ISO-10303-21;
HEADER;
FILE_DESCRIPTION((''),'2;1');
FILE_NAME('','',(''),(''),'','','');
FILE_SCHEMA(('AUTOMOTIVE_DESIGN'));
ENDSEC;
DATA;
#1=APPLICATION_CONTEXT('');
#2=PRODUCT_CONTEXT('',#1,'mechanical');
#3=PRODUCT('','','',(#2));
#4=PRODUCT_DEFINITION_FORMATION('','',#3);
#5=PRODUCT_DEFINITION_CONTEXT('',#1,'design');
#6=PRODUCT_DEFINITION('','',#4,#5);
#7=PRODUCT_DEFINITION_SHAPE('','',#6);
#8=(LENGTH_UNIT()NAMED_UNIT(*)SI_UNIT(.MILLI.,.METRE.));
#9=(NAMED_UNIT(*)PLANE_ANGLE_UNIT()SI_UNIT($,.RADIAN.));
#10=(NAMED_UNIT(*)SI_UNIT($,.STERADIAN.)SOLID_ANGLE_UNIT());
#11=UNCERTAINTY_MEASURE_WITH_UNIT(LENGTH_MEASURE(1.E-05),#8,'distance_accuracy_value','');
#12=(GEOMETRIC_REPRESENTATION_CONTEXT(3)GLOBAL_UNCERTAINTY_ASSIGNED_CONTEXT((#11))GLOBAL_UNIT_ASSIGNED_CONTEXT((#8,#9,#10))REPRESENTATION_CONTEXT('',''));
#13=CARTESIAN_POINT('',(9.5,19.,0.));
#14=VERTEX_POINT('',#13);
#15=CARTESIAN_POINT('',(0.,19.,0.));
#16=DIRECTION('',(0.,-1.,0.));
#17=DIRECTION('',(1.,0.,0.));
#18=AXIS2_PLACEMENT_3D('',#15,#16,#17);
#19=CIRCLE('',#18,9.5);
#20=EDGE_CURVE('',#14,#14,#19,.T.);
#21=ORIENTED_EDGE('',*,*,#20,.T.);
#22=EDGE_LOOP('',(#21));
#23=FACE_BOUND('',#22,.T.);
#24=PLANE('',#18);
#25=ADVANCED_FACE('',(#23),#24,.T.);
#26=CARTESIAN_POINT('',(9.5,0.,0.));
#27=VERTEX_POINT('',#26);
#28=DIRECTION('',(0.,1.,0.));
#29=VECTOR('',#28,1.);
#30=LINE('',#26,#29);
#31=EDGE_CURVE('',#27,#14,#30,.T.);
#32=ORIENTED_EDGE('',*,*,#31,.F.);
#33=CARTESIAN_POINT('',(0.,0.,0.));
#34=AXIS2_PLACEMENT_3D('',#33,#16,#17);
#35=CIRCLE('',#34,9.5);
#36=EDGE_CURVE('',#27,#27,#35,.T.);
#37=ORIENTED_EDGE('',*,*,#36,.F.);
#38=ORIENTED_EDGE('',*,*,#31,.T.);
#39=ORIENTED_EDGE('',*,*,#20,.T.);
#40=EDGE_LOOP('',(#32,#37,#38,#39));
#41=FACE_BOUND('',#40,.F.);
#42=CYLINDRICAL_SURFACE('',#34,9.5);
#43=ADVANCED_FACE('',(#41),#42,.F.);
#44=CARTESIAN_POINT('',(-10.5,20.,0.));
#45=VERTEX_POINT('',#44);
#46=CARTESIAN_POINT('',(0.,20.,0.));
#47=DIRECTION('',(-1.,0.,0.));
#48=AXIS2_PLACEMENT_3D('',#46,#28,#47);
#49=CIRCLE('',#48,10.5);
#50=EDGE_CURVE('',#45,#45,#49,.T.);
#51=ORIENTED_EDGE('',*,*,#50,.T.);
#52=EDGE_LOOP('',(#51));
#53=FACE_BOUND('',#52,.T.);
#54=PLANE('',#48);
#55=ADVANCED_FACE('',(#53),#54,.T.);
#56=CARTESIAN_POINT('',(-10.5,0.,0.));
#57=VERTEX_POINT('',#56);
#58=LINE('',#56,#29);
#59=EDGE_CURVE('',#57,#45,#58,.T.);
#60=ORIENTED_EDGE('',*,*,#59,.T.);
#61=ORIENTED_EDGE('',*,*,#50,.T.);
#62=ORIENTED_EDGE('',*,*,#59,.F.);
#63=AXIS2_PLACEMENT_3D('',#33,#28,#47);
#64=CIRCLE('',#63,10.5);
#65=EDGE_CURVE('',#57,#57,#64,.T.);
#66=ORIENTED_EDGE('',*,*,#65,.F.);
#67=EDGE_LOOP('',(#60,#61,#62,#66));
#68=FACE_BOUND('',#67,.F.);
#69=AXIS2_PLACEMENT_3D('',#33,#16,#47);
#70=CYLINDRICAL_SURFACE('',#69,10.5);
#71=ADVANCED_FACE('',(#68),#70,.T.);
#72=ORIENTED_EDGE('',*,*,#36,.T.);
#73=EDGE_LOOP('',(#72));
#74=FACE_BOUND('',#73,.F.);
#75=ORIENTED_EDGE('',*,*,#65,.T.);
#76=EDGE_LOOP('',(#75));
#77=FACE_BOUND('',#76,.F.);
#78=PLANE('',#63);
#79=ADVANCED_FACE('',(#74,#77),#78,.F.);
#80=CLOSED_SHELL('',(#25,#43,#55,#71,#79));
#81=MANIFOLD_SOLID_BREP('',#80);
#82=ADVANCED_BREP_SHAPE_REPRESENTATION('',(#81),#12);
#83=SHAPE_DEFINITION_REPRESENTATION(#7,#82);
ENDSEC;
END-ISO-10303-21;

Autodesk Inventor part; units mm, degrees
ref_plane "YZ Plane" through (0, 0, 0) normal (1, 0, 0) x (0, 1, 0)
ref_plane "XZ Plane" through (0, 0, 0) normal (0, 1, 0) x (-1, 0, 0)
ref_plane "XY Plane" through (0, 0, 0) normal (0, 0, 1) x (1, 0, 0)
sketch "Sketch1" plane through (0, 0, 0) normal (0, 1, 0) x (-1, 0, 0)
  circle A0 centre (0, 0) radius 10.5
extrude "Extrusion1" add sketch "Sketch1" along normal blind 20
sketch "Sketch2" plane through (0, 0, 0) normal (0, -1, 0) x (1, 0, 0)
  circle A0 centre (0, 0) radius 9.5
extrude "Extrusion2" cut sketch "Sketch2" against normal blind 19
properties part number "Light_Blocking_Cap_3DPrint"
